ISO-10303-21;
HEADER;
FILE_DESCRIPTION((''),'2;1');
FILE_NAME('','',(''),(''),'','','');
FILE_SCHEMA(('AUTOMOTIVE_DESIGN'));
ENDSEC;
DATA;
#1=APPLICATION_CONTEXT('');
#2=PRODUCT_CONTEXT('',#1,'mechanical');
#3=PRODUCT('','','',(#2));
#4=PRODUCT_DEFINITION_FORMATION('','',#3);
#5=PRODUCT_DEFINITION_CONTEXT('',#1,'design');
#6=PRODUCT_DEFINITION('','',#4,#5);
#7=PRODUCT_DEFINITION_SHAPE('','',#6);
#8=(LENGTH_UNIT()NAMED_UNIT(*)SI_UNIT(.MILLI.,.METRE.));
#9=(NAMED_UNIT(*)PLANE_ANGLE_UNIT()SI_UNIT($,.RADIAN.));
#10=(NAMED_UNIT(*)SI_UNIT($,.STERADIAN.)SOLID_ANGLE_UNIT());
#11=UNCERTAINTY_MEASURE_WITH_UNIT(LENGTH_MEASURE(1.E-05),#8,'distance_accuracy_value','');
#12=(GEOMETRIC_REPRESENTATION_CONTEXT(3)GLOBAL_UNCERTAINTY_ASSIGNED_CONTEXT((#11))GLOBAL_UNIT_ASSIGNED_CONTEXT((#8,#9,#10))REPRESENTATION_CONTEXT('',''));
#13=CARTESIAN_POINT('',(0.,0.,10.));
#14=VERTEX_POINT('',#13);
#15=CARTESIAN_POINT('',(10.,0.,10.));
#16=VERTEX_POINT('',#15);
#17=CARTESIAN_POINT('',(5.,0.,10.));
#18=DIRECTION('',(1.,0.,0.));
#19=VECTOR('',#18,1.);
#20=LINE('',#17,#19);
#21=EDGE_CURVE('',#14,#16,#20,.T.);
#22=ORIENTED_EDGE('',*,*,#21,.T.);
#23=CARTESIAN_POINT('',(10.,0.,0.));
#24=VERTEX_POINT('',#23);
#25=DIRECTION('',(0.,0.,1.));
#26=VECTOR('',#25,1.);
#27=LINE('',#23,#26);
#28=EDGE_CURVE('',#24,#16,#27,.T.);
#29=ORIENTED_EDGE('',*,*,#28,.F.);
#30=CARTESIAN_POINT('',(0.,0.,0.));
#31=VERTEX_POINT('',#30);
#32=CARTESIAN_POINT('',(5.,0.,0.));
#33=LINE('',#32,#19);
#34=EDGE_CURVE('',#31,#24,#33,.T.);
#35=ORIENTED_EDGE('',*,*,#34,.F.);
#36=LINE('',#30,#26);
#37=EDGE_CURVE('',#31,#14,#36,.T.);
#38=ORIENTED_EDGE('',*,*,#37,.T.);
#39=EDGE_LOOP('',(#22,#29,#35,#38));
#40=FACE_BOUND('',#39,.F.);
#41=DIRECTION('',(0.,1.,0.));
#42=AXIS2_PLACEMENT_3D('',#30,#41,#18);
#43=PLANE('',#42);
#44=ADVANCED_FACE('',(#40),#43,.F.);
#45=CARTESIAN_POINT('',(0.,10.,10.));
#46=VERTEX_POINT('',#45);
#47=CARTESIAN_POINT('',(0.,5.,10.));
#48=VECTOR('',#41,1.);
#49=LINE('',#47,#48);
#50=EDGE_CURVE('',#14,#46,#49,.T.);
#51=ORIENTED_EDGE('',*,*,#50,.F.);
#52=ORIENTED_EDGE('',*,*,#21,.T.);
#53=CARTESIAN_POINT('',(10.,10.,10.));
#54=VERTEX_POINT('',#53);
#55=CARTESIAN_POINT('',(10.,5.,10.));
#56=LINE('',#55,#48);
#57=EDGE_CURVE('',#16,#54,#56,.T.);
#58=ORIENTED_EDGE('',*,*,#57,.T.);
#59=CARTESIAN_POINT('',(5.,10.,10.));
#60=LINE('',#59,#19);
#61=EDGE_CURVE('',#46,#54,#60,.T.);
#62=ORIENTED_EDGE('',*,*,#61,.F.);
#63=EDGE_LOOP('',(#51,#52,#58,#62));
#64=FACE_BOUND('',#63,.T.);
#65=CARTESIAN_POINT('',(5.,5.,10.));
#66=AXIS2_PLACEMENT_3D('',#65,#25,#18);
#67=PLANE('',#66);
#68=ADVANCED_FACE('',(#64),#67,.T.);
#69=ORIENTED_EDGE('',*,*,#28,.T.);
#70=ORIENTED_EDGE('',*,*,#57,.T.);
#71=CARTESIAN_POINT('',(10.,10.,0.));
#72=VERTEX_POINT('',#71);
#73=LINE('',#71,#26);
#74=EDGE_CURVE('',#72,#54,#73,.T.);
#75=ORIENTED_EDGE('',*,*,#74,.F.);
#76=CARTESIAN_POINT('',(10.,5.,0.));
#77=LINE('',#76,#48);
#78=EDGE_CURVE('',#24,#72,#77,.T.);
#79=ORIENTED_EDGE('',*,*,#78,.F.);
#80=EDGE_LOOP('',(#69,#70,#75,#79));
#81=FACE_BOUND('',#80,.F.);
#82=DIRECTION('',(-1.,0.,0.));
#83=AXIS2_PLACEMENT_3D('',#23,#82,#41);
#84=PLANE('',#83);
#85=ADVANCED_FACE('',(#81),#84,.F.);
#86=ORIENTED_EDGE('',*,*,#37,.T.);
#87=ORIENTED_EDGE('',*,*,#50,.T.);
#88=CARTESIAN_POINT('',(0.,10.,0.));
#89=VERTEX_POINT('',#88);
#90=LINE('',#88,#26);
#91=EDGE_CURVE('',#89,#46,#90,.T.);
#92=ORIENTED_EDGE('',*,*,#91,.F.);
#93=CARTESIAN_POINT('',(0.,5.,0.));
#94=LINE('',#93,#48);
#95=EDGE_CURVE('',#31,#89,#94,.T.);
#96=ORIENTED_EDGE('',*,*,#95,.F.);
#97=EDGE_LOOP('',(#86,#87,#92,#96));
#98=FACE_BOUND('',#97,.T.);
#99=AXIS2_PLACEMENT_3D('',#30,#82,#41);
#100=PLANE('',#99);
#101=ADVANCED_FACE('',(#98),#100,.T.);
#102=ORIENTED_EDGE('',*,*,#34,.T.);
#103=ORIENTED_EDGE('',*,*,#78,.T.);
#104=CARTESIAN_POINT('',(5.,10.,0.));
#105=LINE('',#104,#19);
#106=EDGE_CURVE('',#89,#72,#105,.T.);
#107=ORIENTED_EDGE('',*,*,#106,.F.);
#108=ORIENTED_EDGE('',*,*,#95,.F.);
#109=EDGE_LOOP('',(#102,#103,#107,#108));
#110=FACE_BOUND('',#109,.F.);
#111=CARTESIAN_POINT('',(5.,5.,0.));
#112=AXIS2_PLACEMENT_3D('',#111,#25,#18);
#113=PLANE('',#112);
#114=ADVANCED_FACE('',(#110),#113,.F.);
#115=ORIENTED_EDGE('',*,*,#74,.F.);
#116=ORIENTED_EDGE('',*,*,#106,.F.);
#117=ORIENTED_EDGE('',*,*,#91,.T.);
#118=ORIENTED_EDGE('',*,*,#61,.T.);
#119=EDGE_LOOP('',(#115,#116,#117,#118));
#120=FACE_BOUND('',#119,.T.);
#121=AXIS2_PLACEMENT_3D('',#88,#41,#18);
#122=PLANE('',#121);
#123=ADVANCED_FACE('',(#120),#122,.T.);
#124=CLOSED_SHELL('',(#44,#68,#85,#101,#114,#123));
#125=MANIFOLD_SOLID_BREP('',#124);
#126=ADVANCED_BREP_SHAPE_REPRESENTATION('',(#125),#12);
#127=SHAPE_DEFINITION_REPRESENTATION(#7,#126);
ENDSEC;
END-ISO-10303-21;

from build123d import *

# Parameters (mm, degrees)
SKETCH_1_W      = 10
SKETCH_1_H      = 10
EXTRUDE_1_DEPTH = 10


with BuildPart() as part:
    # 草图1 → 凸台-拉伸1 (new body)
    with BuildSketch(Plane.XY):
        with Locations((5, 5)):
            Rectangle(SKETCH_1_W, SKETCH_1_H)
    extrude(amount=EXTRUDE_1_DEPTH)


solid = part.part
